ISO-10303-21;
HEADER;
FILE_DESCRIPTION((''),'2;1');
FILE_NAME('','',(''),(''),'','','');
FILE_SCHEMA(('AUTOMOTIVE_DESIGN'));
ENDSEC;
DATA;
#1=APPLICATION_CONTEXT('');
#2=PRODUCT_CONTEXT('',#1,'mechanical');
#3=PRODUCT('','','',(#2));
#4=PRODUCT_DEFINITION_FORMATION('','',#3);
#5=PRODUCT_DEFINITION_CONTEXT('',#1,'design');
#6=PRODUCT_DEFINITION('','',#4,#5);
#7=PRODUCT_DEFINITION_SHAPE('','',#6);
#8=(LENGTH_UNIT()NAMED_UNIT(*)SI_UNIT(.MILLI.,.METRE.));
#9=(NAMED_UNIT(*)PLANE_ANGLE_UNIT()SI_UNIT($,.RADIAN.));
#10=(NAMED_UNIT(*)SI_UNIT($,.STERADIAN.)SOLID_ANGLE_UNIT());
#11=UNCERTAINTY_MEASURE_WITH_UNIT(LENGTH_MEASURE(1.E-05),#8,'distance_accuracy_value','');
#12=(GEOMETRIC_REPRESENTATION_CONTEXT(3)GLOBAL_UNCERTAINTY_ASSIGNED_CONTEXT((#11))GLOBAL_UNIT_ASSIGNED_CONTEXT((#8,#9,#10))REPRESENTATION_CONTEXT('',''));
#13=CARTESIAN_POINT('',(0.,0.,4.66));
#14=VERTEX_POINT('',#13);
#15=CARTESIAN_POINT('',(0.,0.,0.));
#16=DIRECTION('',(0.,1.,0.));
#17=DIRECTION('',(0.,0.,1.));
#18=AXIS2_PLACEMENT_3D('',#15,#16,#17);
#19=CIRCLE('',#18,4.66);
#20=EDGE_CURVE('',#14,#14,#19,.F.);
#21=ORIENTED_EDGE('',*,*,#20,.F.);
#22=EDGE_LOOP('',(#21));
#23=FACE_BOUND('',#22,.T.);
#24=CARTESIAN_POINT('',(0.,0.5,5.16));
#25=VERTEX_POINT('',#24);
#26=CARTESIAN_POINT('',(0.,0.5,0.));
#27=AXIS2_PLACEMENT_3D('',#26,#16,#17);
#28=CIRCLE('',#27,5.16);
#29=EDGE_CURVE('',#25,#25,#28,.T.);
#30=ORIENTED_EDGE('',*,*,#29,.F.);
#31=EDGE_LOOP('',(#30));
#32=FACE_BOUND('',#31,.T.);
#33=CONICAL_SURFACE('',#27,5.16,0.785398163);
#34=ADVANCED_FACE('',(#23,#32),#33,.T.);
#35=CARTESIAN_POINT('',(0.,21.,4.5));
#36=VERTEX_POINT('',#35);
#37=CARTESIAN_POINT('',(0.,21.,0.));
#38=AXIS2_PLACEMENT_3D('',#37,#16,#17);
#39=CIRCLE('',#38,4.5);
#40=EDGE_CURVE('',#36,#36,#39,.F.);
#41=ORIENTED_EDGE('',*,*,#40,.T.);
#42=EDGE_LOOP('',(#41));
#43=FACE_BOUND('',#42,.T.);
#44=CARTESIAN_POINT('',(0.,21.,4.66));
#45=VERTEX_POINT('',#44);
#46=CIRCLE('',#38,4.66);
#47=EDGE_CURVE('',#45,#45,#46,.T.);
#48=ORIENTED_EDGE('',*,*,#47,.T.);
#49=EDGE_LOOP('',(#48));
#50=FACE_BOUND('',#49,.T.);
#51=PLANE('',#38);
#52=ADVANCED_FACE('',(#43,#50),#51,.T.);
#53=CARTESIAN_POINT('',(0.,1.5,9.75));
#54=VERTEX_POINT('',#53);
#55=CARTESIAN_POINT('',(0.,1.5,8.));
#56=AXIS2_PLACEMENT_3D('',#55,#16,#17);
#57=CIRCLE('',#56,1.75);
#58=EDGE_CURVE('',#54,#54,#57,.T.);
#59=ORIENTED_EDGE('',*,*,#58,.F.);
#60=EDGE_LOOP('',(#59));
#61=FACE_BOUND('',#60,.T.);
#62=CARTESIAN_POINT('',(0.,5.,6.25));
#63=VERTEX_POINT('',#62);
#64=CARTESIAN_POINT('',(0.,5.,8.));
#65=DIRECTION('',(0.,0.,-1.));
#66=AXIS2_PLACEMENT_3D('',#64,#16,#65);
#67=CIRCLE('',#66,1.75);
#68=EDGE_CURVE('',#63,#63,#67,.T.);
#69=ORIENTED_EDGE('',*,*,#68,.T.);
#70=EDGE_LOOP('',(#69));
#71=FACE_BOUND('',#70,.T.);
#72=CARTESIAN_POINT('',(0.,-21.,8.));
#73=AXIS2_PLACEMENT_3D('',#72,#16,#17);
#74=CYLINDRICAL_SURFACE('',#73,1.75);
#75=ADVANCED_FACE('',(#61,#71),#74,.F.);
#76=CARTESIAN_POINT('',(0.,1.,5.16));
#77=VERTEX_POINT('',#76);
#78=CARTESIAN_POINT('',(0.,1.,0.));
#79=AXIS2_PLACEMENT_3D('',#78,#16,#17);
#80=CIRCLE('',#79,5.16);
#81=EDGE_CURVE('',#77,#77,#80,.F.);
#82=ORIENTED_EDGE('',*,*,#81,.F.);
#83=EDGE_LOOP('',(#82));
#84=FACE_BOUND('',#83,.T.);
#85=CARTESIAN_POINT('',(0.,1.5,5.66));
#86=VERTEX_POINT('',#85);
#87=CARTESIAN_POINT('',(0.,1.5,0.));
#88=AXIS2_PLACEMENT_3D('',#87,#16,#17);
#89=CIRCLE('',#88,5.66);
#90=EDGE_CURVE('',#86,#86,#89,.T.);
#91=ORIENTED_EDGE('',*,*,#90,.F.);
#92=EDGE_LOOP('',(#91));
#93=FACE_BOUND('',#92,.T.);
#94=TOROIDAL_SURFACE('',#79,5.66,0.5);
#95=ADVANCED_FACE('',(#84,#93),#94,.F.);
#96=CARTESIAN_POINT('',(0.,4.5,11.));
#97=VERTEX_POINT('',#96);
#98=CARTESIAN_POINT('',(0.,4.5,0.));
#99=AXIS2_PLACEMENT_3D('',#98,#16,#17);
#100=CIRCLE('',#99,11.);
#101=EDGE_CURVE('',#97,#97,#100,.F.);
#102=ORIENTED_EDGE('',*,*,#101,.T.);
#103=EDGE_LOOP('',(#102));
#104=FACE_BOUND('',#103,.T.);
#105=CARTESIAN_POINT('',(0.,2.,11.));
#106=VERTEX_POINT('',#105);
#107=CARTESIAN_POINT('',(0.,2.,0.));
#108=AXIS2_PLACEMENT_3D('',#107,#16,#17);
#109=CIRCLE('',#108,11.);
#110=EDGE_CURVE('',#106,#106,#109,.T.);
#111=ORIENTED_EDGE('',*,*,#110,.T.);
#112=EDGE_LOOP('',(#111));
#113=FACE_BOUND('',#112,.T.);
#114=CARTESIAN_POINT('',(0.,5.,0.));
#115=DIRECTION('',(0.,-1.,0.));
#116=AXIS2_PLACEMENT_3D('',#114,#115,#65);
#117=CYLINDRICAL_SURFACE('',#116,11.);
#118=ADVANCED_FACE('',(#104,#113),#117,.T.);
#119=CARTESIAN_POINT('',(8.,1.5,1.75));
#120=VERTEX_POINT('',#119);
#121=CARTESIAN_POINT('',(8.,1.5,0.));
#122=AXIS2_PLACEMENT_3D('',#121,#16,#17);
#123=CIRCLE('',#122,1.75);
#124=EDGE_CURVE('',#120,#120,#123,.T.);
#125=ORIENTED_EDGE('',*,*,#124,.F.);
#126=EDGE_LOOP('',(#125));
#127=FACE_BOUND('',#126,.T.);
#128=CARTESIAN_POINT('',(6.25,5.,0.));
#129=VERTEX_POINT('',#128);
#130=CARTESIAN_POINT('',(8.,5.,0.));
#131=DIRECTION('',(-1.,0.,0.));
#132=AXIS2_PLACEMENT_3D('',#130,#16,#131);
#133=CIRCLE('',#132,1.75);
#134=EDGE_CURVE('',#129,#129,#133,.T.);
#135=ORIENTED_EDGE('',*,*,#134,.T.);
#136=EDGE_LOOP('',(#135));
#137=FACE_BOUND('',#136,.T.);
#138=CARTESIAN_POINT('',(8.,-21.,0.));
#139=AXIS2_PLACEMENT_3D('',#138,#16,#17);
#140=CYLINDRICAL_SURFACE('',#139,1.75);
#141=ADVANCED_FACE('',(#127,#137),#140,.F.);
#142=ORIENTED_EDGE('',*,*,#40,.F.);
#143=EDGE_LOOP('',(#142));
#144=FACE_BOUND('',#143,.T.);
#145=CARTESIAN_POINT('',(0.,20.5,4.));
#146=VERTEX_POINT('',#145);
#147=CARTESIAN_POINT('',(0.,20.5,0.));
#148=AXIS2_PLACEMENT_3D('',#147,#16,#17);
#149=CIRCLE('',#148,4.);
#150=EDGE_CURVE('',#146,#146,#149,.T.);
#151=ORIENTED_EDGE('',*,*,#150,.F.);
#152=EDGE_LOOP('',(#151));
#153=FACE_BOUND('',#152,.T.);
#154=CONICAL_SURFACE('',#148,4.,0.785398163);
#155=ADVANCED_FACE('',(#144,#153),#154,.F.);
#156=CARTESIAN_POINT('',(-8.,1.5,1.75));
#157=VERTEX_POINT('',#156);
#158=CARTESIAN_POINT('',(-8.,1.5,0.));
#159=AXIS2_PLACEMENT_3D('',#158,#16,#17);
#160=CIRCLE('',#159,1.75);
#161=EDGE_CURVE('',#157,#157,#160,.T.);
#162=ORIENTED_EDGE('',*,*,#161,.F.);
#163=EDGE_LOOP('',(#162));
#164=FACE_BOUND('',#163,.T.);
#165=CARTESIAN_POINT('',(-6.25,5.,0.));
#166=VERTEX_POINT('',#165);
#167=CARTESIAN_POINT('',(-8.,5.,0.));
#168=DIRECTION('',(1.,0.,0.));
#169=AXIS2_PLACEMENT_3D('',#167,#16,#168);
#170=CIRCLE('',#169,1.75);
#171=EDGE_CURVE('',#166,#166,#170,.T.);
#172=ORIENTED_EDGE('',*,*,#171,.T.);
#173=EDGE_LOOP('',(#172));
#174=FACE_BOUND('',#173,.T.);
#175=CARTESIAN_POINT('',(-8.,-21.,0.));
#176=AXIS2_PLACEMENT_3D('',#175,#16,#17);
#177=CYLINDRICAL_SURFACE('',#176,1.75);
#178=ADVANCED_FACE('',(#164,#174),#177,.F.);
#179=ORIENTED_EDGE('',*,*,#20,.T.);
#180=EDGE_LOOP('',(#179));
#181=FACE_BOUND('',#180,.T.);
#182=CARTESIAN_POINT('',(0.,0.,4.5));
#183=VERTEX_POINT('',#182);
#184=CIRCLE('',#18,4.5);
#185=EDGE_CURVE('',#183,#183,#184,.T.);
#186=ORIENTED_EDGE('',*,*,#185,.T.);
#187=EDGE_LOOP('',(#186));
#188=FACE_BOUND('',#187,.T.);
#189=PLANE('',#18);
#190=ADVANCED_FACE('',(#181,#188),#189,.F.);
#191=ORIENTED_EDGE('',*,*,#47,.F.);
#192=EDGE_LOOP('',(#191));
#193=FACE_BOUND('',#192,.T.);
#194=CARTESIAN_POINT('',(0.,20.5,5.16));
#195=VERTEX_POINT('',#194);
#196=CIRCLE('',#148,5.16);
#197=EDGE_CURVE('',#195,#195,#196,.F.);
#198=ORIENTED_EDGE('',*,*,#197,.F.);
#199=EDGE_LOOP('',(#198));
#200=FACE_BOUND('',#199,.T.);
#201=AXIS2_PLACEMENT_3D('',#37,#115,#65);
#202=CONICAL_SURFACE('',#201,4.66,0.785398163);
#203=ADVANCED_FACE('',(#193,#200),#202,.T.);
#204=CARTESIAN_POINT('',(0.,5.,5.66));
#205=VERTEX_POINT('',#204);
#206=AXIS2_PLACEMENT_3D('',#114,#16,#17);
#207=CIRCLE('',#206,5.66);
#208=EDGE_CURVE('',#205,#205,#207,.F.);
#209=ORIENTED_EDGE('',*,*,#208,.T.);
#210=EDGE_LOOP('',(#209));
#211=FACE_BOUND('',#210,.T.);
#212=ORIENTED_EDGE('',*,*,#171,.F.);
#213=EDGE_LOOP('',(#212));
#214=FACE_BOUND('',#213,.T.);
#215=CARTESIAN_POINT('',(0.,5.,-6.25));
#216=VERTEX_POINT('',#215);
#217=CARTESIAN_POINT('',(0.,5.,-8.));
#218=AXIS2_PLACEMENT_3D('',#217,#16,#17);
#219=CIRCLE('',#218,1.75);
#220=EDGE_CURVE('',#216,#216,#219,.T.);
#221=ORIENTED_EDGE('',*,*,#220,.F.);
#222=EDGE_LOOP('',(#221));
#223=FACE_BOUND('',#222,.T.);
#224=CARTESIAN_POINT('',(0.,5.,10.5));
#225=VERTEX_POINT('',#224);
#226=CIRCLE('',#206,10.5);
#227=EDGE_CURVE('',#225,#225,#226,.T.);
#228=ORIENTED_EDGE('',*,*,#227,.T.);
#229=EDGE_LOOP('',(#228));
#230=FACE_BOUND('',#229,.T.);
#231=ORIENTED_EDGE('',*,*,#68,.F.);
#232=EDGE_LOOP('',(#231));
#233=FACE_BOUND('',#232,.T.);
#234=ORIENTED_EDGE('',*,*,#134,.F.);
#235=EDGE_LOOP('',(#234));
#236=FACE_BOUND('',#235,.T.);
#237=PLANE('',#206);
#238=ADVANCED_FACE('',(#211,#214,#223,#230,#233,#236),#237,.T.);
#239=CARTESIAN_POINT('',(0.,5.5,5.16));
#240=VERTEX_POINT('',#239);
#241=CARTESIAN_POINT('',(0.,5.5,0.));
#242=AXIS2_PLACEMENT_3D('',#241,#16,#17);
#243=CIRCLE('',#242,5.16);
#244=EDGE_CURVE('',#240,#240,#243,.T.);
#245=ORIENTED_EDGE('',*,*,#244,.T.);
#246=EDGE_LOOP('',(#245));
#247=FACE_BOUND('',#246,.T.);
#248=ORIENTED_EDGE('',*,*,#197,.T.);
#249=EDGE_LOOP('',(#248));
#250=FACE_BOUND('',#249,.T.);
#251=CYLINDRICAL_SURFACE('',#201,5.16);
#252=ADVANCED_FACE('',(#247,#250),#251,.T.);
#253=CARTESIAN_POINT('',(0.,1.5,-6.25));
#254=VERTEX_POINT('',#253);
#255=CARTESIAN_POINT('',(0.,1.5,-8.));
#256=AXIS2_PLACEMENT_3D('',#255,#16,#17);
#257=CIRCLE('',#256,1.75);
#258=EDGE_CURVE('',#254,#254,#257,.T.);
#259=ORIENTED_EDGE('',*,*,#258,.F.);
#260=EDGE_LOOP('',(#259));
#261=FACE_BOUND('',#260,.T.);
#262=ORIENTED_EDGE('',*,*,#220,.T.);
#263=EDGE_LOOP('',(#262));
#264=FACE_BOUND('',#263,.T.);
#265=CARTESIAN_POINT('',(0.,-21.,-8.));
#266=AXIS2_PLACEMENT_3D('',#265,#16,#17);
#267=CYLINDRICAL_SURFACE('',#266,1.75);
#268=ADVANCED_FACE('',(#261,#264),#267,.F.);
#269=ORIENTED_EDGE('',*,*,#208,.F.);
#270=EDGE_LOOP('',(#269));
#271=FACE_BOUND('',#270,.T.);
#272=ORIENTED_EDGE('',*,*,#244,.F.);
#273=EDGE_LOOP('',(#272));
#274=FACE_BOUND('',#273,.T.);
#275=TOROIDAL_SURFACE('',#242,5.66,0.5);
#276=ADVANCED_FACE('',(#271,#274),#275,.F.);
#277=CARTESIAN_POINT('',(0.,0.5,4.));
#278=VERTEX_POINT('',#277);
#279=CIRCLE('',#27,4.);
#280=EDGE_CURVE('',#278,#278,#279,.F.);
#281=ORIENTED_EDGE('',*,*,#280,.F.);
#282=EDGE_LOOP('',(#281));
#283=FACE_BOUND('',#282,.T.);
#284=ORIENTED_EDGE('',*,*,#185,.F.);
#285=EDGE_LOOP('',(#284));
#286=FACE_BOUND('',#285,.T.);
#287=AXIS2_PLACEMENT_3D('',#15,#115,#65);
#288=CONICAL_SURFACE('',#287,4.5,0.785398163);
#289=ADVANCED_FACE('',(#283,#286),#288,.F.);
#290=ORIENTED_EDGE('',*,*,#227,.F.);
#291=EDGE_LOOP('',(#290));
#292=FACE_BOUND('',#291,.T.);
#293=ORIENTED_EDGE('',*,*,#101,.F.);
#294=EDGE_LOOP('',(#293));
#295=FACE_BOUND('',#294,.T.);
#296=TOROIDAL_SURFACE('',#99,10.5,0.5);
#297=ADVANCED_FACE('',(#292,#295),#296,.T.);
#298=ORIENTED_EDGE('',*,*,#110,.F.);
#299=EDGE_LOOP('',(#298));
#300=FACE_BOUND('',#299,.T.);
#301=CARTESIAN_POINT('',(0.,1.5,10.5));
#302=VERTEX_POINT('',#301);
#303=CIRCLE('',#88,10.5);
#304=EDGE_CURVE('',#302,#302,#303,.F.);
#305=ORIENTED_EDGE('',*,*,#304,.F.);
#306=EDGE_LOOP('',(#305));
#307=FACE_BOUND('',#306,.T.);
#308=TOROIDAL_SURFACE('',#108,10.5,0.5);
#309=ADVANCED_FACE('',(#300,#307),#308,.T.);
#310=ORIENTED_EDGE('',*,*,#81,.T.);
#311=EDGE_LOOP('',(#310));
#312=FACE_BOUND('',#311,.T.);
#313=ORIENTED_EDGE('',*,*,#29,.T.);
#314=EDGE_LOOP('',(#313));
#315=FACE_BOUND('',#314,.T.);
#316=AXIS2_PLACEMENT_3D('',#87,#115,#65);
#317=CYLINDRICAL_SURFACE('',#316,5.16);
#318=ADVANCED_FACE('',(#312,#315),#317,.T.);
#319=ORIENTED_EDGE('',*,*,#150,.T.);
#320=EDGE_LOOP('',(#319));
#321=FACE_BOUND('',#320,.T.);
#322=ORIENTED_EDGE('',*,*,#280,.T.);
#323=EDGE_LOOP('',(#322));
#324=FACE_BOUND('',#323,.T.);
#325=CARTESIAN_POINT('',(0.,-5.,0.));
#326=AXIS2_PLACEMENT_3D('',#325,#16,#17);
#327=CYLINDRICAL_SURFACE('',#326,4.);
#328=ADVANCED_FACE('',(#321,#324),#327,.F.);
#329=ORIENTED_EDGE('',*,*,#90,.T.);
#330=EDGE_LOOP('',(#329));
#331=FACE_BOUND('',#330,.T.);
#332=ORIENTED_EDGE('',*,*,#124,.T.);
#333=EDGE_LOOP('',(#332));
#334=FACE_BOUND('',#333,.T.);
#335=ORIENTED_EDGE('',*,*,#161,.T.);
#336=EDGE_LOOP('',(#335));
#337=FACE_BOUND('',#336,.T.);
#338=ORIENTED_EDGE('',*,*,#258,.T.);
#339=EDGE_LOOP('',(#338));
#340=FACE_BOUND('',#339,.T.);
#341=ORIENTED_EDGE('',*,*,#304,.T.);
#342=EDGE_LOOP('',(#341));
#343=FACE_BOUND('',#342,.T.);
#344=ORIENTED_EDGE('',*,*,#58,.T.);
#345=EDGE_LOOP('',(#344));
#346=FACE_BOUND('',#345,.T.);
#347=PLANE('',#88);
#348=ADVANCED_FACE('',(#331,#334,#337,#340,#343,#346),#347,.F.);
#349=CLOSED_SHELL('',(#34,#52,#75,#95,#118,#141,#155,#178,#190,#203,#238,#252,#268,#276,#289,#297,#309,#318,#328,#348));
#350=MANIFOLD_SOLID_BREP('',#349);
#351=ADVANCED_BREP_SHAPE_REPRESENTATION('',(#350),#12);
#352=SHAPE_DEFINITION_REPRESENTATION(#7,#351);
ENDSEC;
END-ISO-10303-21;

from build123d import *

# Parameters (mm, degrees)
SKETCH1_R           = 5.16
BOSS_EXTRUDE1_DEPTH = 1.5
SKETCH2_R           = 11
BOSS_EXTRUDE2_DEPTH = 3.5
SKETCH3_R           = 5.16
BOSS_EXTRUDE3_DEPTH = 16
SKETCH4_R           = 4
CUT_EXTRUDE1_DEPTH  = 26
SKETCH5_R           = 1.75
CUT_EXTRUDE2_DEPTH  = 26
CIRPATTERN1_COUNT   = 4
FILLET1_R           = 0.5
CHAMFER1_SIZE       = 0.5


with BuildPart() as part:
    # Sketch1 → Boss-Extrude1 (new body)
    with BuildSketch(Plane(origin=(0, 0, 0), x_dir=(1, 0, 0), z_dir=(0, 1, 0))):
        Circle(SKETCH1_R)
    extrude(amount=BOSS_EXTRUDE1_DEPTH)

    # Sketch2 → Boss-Extrude2 (add)
    with BuildSketch(Plane(origin=(0, 1.5, 0), x_dir=(1, 0, 0), z_dir=(0, 1, 0))):
        Circle(SKETCH2_R)
    extrude(amount=BOSS_EXTRUDE2_DEPTH)

    # Sketch3 → Boss-Extrude3 (add)
    with BuildSketch(Plane(origin=(0, 5, 0), x_dir=(1, 0, 0), z_dir=(0, 1, 0))):
        Circle(SKETCH3_R)
    extrude(amount=BOSS_EXTRUDE3_DEPTH)

    # Sketch4 → Cut-Extrude1 (cut)
    with BuildSketch(Plane(origin=(0, 21, 0), x_dir=(1, 0, 0), z_dir=(0, 1, 0))):
        Circle(SKETCH4_R)
    extrude(amount=-CUT_EXTRUDE1_DEPTH, mode=Mode.SUBTRACT)

    # Sketch5 → Cut-Extrude2 (cut)
    with BuildSketch(Plane(origin=(0, 5, 0), x_dir=(1, 0, 0), z_dir=(0, 1, 0))):
        with Locations((0, 8)):
            Circle(SKETCH5_R)
    cut_extrude2 = extrude(amount=-CUT_EXTRUDE2_DEPTH, mode=Mode.SUBTRACT)

    # CirPattern1: Cut-Extrude2 ×4 about axis
    cirpattern1_axis = Axis((0, 0, 0), (0, 1, 0))
    for i in range(1, CIRPATTERN1_COUNT):
        add(cut_extrude2.rotate(cirpattern1_axis, i * 360 / CIRPATTERN1_COUNT), mode=Mode.SUBTRACT)

    # Fillet1
    fillet1_edges = [part.edges().sort_by_distance(p)[0] for p in [
        (-5.16, 1.5, 0),
        (-11, 1.5, 0),
        (-11, 5, 0),
        (-5.16, 5, 0),
    ]]
    fillet(fillet1_edges, radius=FILLET1_R)

    # Chamfer1
    chamfer1_edges = [part.edges().sort_by_distance(p)[0] for p in [
        (-5.16, 21, 0),
        (-4, 0, 0),
        (-4, 21, 0),
        (-5.16, 0, 0),
    ]]
    chamfer(chamfer1_edges, length=CHAMFER1_SIZE)


solid = part.part
